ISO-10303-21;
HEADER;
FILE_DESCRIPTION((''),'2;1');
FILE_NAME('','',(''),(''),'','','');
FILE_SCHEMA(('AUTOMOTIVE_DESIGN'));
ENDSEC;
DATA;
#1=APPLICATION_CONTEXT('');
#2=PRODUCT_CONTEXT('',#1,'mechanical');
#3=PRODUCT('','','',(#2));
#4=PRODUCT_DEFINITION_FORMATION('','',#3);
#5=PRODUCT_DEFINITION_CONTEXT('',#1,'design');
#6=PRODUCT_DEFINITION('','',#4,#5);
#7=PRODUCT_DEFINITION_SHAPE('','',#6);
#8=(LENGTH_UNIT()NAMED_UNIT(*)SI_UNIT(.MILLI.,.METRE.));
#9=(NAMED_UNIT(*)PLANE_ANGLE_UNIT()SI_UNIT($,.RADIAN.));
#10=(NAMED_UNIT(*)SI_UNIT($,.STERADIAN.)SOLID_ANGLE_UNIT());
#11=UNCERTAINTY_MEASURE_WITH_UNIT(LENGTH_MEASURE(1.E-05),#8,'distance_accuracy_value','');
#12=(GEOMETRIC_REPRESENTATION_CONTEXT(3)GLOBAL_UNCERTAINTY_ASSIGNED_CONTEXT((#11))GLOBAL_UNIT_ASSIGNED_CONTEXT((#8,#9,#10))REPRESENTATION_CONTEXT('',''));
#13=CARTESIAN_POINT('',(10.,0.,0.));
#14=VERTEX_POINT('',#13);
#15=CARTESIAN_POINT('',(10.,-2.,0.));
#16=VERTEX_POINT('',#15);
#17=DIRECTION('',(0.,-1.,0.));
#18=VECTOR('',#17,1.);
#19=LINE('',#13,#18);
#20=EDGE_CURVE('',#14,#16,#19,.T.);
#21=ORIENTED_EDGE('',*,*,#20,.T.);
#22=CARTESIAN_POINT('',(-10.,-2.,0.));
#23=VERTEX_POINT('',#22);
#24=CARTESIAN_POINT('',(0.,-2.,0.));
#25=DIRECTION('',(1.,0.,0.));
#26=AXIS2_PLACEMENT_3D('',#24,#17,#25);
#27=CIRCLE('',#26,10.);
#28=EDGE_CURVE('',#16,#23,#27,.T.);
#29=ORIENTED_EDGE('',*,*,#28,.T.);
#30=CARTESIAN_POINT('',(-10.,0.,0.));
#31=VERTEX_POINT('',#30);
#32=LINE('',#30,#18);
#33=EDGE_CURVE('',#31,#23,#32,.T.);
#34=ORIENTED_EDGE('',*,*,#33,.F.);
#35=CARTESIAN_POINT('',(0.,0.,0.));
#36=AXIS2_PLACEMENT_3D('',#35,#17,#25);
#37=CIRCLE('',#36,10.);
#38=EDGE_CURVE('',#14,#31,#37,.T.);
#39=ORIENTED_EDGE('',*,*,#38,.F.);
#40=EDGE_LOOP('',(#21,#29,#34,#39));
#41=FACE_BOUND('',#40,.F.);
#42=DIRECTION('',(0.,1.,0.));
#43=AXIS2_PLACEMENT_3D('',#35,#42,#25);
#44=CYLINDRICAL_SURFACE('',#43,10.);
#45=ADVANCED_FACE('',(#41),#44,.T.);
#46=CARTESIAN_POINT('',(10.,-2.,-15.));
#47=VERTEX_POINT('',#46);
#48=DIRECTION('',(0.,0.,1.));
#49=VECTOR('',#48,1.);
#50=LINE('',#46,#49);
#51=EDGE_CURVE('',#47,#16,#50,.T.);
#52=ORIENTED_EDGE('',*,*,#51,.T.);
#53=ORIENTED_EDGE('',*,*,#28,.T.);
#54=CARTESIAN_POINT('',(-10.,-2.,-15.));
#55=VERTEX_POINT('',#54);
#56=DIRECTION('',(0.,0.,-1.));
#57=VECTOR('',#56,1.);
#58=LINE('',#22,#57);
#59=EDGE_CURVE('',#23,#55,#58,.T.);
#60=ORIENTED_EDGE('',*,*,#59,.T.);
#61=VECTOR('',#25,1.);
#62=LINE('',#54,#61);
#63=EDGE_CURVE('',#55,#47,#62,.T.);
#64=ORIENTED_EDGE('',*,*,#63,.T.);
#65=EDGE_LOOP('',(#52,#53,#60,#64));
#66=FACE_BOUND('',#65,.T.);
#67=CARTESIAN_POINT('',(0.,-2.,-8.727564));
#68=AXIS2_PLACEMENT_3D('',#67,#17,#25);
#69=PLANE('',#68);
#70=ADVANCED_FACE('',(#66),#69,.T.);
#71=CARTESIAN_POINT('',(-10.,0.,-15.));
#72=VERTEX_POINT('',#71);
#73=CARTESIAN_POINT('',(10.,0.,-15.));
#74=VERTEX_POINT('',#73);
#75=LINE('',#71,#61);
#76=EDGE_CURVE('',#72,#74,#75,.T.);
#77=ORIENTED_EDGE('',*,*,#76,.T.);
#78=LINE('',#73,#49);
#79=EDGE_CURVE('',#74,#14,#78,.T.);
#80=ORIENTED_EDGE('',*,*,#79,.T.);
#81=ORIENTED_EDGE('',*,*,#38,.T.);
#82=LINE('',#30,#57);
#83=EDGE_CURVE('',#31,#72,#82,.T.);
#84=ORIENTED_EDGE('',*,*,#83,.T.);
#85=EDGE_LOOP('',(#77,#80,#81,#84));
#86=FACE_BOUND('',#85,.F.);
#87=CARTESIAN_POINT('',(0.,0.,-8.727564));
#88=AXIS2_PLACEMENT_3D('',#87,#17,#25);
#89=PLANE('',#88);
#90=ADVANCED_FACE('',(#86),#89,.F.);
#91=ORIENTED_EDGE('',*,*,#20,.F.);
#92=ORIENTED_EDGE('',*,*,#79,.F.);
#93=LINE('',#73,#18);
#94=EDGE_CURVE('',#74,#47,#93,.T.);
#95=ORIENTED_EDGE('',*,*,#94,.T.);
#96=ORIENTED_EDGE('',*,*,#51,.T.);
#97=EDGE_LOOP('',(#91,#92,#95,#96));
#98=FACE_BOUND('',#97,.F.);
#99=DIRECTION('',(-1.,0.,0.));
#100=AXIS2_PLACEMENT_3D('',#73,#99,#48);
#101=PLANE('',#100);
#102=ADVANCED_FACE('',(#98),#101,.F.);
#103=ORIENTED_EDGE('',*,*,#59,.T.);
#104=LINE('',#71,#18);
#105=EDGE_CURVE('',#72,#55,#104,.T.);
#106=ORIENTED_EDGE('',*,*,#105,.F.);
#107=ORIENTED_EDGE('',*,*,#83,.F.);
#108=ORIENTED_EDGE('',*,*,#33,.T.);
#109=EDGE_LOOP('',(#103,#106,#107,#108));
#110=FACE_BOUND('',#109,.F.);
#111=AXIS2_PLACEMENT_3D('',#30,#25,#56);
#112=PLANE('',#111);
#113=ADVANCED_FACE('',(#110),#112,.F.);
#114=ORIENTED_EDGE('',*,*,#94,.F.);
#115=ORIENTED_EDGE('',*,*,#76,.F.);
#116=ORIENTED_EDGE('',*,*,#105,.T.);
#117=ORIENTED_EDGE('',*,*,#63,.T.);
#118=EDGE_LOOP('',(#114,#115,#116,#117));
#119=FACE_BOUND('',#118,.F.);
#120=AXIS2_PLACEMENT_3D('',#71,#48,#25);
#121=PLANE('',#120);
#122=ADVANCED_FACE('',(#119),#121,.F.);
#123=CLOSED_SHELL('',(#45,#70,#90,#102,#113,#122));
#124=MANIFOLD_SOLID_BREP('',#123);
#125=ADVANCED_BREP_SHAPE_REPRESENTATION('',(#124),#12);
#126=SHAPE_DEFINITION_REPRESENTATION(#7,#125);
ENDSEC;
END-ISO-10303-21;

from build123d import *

# Parameters (mm, degrees)
F1_DEPTH = 2


with BuildPart() as f1:
    # F0 (on Front) → F1 (new body)
    with BuildSketch(Plane.XZ):
        with BuildLine():
            Line((10, -15), (10, 0))
            ThreePointArc((10, 0), (0, -10), (-10, 0))
            Line((-10, 0), (-10, -15))
            Line((-10, -15), (10, -15))
        make_face()
        with BuildLine():
            ThreePointArc((-10, 0), (0, -10), (10, 0))
            ThreePointArc((10, 0), (0, 10), (-10, 0))
        make_face()
    extrude(amount=F1_DEPTH)


solid = f1.part
